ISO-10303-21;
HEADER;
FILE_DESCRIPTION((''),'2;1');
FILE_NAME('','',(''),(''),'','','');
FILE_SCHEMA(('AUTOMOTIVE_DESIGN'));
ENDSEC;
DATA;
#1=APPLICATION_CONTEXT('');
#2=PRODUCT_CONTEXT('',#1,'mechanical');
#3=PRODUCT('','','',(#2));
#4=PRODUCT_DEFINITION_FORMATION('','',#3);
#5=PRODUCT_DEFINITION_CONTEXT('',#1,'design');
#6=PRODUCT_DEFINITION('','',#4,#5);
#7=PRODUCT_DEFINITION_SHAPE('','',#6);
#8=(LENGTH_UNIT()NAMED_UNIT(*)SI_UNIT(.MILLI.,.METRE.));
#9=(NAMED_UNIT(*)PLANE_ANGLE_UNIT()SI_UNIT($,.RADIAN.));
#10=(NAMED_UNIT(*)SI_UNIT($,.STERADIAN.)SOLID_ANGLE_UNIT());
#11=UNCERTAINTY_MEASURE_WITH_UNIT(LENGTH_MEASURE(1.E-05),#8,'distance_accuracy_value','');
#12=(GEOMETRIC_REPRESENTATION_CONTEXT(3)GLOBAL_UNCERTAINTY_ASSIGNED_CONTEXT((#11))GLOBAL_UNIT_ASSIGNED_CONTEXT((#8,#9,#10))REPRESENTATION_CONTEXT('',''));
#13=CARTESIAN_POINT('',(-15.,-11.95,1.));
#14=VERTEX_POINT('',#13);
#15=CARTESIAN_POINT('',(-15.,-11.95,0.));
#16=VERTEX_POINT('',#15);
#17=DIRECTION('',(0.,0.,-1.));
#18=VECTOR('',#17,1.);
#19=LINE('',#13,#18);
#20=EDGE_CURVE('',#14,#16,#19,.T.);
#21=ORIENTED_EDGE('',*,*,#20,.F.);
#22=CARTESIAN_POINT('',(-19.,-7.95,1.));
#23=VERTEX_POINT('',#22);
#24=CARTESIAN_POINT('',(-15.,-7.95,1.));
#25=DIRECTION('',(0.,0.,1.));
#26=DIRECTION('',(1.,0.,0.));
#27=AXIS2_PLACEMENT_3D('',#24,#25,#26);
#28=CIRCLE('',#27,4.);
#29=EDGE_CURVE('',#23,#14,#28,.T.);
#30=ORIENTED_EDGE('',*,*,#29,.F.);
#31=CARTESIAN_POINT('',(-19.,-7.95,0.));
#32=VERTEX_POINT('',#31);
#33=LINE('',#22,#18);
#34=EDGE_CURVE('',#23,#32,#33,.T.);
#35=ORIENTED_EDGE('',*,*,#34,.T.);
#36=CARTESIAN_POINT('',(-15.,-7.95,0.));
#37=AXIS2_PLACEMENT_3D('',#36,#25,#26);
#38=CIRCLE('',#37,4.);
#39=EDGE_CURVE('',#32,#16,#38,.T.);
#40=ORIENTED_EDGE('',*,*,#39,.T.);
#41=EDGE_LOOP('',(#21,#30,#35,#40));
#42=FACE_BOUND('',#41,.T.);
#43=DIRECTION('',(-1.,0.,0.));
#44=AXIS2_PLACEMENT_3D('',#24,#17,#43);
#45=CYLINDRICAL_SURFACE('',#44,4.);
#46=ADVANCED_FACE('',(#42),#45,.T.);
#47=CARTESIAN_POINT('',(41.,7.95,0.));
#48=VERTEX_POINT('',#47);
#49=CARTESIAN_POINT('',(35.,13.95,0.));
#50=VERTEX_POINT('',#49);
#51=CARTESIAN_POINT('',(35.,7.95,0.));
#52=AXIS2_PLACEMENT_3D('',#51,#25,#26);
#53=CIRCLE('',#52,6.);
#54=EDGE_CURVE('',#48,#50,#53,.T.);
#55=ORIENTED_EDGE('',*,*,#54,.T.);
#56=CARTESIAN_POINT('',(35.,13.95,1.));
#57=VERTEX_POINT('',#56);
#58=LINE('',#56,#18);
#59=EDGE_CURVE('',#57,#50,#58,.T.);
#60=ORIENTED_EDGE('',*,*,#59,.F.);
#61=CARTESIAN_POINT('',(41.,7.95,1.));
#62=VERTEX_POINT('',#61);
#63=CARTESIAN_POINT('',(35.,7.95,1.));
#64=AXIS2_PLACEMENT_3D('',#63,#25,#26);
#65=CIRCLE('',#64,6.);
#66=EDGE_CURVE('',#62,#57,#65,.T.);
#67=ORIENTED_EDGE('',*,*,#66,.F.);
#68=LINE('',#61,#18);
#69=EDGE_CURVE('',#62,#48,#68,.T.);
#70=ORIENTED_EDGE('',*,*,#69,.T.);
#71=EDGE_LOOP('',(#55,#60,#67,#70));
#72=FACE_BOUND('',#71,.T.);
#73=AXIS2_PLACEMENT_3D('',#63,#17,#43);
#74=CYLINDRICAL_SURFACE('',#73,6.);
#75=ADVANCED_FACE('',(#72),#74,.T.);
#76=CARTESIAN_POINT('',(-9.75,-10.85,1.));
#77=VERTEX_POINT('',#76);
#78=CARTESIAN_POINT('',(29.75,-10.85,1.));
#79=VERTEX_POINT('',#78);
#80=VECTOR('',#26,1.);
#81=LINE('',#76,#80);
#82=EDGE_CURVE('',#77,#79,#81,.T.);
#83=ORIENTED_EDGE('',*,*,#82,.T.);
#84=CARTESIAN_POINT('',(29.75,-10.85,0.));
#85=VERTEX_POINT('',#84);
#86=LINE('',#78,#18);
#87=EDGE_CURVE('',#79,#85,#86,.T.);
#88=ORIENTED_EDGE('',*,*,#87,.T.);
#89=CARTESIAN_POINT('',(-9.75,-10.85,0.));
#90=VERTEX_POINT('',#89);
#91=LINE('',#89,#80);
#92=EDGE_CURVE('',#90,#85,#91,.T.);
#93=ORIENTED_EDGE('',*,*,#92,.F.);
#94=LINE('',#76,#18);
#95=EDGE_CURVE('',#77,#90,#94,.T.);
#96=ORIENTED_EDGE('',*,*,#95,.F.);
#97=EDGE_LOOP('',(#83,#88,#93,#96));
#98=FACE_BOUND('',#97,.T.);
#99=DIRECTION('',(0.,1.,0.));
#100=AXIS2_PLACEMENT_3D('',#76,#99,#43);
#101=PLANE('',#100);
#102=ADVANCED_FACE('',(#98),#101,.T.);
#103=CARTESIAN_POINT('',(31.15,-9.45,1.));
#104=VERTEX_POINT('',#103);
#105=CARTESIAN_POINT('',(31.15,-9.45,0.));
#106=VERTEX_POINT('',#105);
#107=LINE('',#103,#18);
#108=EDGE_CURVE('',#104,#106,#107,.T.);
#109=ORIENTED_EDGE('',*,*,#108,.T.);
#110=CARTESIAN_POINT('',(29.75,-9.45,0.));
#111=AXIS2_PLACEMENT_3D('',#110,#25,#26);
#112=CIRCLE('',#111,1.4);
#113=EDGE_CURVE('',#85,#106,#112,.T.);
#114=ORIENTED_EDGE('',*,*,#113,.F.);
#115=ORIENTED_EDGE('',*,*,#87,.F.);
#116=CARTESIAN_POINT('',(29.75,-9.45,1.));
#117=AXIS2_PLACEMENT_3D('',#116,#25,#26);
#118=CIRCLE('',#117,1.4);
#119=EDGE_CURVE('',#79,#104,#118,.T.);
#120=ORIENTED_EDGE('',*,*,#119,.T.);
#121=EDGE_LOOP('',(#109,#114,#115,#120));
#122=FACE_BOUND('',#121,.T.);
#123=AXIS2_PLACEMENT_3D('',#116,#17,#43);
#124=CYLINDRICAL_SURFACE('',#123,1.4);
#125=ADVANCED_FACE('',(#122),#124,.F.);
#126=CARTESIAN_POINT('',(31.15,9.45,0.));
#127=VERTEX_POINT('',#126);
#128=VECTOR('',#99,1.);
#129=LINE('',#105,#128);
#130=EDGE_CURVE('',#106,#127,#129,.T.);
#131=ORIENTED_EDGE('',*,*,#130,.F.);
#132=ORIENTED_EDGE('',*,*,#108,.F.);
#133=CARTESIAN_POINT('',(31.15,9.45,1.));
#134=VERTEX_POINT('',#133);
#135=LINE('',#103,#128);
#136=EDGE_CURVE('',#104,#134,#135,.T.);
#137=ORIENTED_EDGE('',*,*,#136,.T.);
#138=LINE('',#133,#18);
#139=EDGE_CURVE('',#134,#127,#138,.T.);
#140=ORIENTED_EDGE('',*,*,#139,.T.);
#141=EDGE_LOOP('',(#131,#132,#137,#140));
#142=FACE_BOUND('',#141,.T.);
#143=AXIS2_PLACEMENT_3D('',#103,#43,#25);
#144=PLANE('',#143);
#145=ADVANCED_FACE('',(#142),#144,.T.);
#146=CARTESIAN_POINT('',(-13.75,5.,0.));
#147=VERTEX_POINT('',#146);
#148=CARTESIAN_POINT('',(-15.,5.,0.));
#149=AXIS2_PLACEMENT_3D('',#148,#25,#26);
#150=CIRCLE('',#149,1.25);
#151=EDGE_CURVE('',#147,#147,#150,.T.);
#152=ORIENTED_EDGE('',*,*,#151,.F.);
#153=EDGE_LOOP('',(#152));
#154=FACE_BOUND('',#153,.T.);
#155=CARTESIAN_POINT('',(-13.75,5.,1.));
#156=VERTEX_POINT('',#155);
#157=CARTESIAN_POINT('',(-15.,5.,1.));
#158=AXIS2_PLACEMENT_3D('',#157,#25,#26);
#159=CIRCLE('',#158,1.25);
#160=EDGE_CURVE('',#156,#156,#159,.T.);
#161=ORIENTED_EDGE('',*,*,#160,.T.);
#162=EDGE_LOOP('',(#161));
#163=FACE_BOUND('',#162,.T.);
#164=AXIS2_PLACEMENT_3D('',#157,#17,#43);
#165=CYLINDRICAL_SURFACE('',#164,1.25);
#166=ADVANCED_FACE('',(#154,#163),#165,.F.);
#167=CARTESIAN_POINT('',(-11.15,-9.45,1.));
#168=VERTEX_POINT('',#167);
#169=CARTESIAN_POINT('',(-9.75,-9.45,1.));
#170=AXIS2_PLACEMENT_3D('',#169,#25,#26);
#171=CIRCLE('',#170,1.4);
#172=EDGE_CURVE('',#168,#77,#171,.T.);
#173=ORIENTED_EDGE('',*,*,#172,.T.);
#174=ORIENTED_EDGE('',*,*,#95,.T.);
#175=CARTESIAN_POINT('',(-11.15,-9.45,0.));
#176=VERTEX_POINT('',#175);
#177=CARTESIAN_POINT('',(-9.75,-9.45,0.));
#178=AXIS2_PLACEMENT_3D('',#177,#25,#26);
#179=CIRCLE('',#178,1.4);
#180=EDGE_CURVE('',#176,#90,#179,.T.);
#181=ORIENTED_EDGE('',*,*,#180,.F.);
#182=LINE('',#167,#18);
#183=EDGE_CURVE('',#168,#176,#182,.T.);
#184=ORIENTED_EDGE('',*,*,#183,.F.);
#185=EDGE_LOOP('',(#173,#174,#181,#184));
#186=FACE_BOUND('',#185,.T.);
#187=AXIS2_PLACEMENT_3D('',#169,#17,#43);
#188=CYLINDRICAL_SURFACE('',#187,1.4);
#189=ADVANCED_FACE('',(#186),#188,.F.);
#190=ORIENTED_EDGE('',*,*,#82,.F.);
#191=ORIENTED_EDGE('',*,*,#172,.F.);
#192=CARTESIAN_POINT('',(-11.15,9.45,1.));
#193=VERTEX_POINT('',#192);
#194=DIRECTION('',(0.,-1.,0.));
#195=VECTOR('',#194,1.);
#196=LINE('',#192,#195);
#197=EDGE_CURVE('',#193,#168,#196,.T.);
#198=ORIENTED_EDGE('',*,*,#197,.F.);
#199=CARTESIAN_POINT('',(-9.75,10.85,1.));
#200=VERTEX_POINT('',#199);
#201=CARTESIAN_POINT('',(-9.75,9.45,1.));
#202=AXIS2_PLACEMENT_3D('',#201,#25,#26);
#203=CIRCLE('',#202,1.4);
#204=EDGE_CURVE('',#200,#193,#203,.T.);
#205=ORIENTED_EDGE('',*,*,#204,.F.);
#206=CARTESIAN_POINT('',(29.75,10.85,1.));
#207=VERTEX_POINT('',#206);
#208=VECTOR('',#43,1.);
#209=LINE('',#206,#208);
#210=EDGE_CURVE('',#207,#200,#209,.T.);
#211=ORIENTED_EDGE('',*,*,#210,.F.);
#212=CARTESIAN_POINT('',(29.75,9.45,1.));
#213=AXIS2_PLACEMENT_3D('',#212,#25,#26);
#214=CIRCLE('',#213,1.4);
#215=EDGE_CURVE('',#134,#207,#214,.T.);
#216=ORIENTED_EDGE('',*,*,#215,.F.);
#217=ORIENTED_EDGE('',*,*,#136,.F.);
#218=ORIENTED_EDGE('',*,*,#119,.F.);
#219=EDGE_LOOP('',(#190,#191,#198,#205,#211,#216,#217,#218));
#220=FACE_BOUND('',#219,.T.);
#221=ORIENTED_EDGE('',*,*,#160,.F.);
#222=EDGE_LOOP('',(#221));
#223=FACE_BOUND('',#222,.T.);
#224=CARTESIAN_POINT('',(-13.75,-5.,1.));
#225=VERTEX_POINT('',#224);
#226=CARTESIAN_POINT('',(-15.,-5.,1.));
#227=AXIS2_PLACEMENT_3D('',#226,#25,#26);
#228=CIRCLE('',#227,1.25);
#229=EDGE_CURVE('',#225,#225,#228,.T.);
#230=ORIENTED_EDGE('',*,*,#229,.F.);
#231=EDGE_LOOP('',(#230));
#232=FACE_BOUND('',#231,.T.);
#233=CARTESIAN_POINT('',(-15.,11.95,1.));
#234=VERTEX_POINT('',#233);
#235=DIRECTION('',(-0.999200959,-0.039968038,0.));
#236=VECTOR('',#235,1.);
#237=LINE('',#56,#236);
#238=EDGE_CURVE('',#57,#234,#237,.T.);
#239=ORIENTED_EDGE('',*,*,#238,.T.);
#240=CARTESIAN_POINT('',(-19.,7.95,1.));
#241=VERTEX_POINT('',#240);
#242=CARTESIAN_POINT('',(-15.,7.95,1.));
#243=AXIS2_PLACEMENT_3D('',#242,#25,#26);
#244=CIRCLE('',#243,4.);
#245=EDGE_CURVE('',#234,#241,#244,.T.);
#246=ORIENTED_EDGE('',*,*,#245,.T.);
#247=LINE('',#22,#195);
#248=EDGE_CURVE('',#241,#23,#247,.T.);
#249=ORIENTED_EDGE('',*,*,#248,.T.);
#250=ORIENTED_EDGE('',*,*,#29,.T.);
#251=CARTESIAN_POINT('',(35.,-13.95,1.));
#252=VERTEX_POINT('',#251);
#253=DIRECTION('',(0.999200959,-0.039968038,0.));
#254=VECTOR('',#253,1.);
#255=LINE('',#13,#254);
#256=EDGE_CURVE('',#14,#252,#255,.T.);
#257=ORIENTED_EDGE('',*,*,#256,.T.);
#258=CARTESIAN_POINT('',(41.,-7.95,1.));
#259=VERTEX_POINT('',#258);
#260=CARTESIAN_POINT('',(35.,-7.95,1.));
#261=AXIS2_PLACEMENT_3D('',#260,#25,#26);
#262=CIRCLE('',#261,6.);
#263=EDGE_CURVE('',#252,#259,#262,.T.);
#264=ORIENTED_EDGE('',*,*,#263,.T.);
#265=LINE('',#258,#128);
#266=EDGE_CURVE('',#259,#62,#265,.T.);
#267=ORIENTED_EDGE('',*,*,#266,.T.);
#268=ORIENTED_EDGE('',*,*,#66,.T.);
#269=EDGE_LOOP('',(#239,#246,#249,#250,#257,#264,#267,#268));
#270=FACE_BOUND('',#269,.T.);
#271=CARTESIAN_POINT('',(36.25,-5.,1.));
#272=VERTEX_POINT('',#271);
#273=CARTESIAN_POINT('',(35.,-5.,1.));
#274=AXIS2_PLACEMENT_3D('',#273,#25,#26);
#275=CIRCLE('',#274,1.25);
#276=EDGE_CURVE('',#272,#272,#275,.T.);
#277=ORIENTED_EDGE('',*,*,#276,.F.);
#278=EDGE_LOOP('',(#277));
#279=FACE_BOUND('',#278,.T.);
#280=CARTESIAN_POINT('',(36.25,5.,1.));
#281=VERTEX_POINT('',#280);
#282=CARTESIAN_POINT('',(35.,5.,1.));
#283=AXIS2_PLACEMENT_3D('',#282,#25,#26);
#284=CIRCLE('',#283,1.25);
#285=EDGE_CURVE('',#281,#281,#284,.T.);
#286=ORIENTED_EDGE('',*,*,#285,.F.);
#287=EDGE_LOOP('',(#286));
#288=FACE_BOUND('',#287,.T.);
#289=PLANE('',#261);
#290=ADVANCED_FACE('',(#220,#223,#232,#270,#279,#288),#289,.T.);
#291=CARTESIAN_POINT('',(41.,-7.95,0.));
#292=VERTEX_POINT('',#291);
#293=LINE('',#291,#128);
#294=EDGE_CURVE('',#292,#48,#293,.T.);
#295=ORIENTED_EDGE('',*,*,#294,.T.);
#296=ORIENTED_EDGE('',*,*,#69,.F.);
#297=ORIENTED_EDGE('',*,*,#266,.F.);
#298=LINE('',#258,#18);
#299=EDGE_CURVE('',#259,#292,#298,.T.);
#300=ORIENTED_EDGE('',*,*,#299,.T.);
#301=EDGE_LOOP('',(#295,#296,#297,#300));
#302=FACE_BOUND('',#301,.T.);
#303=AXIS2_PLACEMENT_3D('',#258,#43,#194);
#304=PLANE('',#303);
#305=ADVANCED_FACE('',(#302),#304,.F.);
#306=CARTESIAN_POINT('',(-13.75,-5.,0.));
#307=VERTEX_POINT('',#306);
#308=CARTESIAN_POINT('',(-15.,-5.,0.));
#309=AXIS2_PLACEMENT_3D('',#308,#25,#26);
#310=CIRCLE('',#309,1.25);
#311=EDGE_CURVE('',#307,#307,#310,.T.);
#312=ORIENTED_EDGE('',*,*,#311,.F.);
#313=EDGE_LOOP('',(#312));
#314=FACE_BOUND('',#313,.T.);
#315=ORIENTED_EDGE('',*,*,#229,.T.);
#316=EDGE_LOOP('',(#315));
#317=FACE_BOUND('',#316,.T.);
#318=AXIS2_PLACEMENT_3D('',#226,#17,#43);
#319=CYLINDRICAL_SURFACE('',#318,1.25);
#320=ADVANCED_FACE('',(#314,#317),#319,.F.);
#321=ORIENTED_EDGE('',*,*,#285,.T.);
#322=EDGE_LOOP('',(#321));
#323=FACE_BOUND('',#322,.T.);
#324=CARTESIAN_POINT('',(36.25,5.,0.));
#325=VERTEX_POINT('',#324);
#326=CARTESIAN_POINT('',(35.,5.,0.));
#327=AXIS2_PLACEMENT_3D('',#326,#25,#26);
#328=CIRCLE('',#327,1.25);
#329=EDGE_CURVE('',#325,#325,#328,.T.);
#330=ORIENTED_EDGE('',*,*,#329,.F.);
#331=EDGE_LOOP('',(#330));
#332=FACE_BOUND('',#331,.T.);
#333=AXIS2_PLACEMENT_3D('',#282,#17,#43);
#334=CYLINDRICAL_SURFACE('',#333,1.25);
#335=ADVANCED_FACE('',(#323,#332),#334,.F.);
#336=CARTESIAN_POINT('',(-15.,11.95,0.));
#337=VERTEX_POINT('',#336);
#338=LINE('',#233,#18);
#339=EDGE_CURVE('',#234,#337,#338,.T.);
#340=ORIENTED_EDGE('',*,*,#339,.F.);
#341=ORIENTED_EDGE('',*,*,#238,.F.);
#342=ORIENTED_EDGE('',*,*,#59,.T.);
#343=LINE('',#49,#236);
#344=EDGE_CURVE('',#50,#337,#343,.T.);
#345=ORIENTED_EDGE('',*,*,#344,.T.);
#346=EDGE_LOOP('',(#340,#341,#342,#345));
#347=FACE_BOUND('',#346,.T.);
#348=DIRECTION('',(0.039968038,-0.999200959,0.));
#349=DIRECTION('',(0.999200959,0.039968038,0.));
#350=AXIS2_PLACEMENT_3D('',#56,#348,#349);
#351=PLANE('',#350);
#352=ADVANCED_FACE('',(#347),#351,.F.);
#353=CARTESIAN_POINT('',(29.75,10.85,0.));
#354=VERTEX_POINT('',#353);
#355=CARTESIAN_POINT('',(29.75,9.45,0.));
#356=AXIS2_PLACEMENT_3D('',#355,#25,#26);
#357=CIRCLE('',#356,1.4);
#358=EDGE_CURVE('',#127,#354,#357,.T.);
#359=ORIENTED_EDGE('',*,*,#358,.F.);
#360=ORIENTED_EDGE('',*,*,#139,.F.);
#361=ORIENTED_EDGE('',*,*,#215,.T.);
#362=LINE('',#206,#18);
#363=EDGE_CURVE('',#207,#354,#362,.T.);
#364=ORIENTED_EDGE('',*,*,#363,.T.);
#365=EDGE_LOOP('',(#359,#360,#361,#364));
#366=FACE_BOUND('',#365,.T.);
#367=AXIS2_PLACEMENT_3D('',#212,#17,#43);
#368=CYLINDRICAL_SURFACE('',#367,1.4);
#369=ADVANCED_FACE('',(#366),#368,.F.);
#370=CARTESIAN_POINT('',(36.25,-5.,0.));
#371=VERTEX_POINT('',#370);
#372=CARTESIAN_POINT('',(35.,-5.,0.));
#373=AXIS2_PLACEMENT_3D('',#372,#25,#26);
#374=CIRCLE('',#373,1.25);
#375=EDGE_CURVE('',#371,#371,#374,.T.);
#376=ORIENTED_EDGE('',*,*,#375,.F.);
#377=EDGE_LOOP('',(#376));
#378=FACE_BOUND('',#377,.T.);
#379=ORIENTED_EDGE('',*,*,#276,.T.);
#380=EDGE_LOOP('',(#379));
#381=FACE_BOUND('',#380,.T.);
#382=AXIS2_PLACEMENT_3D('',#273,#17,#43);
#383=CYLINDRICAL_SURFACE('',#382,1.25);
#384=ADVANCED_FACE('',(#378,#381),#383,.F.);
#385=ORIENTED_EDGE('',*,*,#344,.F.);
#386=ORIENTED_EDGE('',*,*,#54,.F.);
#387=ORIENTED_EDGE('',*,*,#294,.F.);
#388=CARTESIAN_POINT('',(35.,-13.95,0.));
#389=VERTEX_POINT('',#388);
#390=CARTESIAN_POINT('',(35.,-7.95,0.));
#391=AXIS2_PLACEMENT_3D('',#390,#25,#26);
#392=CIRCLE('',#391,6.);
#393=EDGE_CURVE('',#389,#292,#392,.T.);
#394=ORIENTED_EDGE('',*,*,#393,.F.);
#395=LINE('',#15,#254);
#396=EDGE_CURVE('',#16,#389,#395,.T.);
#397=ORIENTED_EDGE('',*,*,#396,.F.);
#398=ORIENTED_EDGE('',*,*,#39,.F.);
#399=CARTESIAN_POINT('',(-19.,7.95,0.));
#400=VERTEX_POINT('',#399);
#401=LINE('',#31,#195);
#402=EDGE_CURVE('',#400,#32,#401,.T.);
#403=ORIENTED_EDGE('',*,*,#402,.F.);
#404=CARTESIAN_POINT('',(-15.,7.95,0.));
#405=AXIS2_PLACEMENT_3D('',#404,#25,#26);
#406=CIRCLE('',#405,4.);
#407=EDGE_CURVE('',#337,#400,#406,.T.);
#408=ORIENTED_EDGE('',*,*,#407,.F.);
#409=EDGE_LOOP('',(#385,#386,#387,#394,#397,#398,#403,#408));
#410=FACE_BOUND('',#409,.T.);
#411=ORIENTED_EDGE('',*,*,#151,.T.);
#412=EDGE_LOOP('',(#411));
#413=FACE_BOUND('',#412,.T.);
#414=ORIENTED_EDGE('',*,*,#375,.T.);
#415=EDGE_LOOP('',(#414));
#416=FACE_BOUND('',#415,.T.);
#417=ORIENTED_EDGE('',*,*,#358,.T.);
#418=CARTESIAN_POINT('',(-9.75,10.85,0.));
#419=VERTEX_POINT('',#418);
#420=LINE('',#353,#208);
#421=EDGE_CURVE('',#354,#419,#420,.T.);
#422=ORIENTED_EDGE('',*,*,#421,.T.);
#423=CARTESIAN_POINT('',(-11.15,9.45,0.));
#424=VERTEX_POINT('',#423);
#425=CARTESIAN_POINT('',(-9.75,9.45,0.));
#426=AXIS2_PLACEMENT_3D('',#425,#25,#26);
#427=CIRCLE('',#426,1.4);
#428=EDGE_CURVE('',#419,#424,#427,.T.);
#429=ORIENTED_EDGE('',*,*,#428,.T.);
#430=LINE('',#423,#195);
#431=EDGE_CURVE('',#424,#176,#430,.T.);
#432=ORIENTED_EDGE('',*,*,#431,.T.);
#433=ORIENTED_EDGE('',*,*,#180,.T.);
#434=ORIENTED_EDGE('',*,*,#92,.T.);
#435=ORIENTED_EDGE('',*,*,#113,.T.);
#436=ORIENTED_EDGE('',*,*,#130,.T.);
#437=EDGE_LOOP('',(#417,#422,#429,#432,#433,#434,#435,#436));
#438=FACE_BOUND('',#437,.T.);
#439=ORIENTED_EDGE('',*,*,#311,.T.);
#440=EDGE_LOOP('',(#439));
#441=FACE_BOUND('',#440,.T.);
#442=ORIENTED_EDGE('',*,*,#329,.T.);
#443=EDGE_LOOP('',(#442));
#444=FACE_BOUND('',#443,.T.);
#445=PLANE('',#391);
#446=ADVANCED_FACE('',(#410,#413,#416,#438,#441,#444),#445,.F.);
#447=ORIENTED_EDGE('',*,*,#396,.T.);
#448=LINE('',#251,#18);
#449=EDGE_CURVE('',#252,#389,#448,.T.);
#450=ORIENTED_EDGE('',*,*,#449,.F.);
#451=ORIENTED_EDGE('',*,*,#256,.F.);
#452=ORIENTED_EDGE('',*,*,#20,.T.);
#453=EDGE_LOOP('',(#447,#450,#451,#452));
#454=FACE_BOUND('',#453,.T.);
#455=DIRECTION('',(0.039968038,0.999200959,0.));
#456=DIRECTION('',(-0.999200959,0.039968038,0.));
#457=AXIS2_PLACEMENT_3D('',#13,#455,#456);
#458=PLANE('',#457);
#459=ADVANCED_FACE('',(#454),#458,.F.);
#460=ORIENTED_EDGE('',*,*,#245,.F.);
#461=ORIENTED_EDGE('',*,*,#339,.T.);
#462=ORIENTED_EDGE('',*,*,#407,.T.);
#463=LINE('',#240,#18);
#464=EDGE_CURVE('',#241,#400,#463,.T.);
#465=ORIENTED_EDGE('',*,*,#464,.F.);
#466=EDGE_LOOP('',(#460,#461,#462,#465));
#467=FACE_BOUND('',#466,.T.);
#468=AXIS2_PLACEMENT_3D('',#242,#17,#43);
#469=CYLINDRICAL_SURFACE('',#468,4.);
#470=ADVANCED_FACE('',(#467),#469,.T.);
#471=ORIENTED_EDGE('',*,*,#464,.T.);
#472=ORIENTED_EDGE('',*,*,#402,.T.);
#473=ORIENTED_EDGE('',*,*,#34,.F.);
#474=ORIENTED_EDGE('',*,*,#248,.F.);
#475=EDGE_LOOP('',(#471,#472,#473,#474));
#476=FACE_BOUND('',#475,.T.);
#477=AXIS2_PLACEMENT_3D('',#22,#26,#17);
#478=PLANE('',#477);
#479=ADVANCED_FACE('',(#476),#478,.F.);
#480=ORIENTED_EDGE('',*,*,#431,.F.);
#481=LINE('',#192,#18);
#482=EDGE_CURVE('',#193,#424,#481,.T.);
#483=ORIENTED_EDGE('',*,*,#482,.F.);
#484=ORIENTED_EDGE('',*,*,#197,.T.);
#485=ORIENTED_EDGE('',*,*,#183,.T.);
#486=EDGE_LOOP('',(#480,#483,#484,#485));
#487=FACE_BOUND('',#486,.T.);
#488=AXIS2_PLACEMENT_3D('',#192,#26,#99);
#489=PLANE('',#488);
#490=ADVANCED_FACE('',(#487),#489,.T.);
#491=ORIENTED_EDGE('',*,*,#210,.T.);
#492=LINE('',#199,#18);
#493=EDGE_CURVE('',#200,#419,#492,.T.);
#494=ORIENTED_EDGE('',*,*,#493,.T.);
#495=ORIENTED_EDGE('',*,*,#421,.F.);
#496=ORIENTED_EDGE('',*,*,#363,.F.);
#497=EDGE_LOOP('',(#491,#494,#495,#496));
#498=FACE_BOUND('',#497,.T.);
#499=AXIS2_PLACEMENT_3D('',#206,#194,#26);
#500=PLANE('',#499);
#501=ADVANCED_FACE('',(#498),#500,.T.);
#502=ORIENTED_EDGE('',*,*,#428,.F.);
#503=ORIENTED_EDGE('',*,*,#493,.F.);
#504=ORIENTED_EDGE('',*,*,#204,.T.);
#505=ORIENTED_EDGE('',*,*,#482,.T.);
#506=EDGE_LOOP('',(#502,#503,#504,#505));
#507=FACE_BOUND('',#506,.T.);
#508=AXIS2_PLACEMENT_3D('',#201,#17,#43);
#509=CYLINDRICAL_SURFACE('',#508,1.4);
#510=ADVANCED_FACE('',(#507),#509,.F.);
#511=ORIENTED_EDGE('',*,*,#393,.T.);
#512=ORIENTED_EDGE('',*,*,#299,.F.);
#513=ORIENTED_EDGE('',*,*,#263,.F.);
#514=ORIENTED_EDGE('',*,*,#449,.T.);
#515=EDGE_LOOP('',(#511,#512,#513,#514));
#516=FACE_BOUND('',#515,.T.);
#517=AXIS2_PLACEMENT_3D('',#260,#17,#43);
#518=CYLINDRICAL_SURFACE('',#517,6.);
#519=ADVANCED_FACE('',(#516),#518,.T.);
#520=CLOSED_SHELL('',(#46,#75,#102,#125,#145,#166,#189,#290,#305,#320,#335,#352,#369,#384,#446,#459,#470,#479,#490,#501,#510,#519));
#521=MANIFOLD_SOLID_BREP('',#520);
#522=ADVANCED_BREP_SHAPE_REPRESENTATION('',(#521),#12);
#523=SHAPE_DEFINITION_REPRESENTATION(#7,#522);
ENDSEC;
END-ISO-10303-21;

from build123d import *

# Parameters (mm, degrees)
SKETCH_1_R      = 1.25
EXTRUDE_1_DEPTH = 1


with BuildPart() as part:
    # 草图1 → 凸台-拉伸1 (new body)
    with BuildSketch(Plane.XY):
        with BuildLine():
            Line((41, -7.95), (41, 7.95))
            ThreePointArc((41, 7.95), (39.242640687, 12.192640687), (35, 13.95))
            Line((35, 13.95), (-15, 11.95))
            ThreePointArc((-15, 11.95), (-17.828427125, 10.778427125), (-19, 7.95))
            Line((-19, 7.95), (-19, -7.95))
            ThreePointArc((-19, -7.95), (-17.828427125, -10.778427125), (-15, -11.95))
            Line((-15, -11.95), (35, -13.95))
            ThreePointArc((35, -13.95), (39.242640687, -12.192640687), (41, -7.95))
        make_face()
        with Locations((35, -5)):
            Circle(SKETCH_1_R, mode=Mode.SUBTRACT)
        with Locations((35, 5)):
            Circle(SKETCH_1_R, mode=Mode.SUBTRACT)
        with Locations((-15, -5)):
            Circle(SKETCH_1_R, mode=Mode.SUBTRACT)
        with Locations((-15, 5)):
            Circle(SKETCH_1_R, mode=Mode.SUBTRACT)
        with BuildLine():
            Line((29.75, 10.85), (-9.75, 10.85))
            ThreePointArc((-9.75, 10.85), (-10.739949494, 10.439949494), (-11.15, 9.45))
            Line((-11.15, 9.45), (-11.15, -9.45))
            ThreePointArc((-11.15, -9.45), (-10.739949494, -10.439949494), (-9.75, -10.85))
            Line((-9.75, -10.85), (29.75, -10.85))
            ThreePointArc((29.75, -10.85), (30.739949494, -10.439949494), (31.15, -9.45))
            Line((31.15, -9.45), (31.15, 9.45))
            ThreePointArc((31.15, 9.45), (30.739949494, 10.439949494), (29.75, 10.85))
        make_face(mode=Mode.SUBTRACT)
    extrude(amount=EXTRUDE_1_DEPTH)


solid = part.part
